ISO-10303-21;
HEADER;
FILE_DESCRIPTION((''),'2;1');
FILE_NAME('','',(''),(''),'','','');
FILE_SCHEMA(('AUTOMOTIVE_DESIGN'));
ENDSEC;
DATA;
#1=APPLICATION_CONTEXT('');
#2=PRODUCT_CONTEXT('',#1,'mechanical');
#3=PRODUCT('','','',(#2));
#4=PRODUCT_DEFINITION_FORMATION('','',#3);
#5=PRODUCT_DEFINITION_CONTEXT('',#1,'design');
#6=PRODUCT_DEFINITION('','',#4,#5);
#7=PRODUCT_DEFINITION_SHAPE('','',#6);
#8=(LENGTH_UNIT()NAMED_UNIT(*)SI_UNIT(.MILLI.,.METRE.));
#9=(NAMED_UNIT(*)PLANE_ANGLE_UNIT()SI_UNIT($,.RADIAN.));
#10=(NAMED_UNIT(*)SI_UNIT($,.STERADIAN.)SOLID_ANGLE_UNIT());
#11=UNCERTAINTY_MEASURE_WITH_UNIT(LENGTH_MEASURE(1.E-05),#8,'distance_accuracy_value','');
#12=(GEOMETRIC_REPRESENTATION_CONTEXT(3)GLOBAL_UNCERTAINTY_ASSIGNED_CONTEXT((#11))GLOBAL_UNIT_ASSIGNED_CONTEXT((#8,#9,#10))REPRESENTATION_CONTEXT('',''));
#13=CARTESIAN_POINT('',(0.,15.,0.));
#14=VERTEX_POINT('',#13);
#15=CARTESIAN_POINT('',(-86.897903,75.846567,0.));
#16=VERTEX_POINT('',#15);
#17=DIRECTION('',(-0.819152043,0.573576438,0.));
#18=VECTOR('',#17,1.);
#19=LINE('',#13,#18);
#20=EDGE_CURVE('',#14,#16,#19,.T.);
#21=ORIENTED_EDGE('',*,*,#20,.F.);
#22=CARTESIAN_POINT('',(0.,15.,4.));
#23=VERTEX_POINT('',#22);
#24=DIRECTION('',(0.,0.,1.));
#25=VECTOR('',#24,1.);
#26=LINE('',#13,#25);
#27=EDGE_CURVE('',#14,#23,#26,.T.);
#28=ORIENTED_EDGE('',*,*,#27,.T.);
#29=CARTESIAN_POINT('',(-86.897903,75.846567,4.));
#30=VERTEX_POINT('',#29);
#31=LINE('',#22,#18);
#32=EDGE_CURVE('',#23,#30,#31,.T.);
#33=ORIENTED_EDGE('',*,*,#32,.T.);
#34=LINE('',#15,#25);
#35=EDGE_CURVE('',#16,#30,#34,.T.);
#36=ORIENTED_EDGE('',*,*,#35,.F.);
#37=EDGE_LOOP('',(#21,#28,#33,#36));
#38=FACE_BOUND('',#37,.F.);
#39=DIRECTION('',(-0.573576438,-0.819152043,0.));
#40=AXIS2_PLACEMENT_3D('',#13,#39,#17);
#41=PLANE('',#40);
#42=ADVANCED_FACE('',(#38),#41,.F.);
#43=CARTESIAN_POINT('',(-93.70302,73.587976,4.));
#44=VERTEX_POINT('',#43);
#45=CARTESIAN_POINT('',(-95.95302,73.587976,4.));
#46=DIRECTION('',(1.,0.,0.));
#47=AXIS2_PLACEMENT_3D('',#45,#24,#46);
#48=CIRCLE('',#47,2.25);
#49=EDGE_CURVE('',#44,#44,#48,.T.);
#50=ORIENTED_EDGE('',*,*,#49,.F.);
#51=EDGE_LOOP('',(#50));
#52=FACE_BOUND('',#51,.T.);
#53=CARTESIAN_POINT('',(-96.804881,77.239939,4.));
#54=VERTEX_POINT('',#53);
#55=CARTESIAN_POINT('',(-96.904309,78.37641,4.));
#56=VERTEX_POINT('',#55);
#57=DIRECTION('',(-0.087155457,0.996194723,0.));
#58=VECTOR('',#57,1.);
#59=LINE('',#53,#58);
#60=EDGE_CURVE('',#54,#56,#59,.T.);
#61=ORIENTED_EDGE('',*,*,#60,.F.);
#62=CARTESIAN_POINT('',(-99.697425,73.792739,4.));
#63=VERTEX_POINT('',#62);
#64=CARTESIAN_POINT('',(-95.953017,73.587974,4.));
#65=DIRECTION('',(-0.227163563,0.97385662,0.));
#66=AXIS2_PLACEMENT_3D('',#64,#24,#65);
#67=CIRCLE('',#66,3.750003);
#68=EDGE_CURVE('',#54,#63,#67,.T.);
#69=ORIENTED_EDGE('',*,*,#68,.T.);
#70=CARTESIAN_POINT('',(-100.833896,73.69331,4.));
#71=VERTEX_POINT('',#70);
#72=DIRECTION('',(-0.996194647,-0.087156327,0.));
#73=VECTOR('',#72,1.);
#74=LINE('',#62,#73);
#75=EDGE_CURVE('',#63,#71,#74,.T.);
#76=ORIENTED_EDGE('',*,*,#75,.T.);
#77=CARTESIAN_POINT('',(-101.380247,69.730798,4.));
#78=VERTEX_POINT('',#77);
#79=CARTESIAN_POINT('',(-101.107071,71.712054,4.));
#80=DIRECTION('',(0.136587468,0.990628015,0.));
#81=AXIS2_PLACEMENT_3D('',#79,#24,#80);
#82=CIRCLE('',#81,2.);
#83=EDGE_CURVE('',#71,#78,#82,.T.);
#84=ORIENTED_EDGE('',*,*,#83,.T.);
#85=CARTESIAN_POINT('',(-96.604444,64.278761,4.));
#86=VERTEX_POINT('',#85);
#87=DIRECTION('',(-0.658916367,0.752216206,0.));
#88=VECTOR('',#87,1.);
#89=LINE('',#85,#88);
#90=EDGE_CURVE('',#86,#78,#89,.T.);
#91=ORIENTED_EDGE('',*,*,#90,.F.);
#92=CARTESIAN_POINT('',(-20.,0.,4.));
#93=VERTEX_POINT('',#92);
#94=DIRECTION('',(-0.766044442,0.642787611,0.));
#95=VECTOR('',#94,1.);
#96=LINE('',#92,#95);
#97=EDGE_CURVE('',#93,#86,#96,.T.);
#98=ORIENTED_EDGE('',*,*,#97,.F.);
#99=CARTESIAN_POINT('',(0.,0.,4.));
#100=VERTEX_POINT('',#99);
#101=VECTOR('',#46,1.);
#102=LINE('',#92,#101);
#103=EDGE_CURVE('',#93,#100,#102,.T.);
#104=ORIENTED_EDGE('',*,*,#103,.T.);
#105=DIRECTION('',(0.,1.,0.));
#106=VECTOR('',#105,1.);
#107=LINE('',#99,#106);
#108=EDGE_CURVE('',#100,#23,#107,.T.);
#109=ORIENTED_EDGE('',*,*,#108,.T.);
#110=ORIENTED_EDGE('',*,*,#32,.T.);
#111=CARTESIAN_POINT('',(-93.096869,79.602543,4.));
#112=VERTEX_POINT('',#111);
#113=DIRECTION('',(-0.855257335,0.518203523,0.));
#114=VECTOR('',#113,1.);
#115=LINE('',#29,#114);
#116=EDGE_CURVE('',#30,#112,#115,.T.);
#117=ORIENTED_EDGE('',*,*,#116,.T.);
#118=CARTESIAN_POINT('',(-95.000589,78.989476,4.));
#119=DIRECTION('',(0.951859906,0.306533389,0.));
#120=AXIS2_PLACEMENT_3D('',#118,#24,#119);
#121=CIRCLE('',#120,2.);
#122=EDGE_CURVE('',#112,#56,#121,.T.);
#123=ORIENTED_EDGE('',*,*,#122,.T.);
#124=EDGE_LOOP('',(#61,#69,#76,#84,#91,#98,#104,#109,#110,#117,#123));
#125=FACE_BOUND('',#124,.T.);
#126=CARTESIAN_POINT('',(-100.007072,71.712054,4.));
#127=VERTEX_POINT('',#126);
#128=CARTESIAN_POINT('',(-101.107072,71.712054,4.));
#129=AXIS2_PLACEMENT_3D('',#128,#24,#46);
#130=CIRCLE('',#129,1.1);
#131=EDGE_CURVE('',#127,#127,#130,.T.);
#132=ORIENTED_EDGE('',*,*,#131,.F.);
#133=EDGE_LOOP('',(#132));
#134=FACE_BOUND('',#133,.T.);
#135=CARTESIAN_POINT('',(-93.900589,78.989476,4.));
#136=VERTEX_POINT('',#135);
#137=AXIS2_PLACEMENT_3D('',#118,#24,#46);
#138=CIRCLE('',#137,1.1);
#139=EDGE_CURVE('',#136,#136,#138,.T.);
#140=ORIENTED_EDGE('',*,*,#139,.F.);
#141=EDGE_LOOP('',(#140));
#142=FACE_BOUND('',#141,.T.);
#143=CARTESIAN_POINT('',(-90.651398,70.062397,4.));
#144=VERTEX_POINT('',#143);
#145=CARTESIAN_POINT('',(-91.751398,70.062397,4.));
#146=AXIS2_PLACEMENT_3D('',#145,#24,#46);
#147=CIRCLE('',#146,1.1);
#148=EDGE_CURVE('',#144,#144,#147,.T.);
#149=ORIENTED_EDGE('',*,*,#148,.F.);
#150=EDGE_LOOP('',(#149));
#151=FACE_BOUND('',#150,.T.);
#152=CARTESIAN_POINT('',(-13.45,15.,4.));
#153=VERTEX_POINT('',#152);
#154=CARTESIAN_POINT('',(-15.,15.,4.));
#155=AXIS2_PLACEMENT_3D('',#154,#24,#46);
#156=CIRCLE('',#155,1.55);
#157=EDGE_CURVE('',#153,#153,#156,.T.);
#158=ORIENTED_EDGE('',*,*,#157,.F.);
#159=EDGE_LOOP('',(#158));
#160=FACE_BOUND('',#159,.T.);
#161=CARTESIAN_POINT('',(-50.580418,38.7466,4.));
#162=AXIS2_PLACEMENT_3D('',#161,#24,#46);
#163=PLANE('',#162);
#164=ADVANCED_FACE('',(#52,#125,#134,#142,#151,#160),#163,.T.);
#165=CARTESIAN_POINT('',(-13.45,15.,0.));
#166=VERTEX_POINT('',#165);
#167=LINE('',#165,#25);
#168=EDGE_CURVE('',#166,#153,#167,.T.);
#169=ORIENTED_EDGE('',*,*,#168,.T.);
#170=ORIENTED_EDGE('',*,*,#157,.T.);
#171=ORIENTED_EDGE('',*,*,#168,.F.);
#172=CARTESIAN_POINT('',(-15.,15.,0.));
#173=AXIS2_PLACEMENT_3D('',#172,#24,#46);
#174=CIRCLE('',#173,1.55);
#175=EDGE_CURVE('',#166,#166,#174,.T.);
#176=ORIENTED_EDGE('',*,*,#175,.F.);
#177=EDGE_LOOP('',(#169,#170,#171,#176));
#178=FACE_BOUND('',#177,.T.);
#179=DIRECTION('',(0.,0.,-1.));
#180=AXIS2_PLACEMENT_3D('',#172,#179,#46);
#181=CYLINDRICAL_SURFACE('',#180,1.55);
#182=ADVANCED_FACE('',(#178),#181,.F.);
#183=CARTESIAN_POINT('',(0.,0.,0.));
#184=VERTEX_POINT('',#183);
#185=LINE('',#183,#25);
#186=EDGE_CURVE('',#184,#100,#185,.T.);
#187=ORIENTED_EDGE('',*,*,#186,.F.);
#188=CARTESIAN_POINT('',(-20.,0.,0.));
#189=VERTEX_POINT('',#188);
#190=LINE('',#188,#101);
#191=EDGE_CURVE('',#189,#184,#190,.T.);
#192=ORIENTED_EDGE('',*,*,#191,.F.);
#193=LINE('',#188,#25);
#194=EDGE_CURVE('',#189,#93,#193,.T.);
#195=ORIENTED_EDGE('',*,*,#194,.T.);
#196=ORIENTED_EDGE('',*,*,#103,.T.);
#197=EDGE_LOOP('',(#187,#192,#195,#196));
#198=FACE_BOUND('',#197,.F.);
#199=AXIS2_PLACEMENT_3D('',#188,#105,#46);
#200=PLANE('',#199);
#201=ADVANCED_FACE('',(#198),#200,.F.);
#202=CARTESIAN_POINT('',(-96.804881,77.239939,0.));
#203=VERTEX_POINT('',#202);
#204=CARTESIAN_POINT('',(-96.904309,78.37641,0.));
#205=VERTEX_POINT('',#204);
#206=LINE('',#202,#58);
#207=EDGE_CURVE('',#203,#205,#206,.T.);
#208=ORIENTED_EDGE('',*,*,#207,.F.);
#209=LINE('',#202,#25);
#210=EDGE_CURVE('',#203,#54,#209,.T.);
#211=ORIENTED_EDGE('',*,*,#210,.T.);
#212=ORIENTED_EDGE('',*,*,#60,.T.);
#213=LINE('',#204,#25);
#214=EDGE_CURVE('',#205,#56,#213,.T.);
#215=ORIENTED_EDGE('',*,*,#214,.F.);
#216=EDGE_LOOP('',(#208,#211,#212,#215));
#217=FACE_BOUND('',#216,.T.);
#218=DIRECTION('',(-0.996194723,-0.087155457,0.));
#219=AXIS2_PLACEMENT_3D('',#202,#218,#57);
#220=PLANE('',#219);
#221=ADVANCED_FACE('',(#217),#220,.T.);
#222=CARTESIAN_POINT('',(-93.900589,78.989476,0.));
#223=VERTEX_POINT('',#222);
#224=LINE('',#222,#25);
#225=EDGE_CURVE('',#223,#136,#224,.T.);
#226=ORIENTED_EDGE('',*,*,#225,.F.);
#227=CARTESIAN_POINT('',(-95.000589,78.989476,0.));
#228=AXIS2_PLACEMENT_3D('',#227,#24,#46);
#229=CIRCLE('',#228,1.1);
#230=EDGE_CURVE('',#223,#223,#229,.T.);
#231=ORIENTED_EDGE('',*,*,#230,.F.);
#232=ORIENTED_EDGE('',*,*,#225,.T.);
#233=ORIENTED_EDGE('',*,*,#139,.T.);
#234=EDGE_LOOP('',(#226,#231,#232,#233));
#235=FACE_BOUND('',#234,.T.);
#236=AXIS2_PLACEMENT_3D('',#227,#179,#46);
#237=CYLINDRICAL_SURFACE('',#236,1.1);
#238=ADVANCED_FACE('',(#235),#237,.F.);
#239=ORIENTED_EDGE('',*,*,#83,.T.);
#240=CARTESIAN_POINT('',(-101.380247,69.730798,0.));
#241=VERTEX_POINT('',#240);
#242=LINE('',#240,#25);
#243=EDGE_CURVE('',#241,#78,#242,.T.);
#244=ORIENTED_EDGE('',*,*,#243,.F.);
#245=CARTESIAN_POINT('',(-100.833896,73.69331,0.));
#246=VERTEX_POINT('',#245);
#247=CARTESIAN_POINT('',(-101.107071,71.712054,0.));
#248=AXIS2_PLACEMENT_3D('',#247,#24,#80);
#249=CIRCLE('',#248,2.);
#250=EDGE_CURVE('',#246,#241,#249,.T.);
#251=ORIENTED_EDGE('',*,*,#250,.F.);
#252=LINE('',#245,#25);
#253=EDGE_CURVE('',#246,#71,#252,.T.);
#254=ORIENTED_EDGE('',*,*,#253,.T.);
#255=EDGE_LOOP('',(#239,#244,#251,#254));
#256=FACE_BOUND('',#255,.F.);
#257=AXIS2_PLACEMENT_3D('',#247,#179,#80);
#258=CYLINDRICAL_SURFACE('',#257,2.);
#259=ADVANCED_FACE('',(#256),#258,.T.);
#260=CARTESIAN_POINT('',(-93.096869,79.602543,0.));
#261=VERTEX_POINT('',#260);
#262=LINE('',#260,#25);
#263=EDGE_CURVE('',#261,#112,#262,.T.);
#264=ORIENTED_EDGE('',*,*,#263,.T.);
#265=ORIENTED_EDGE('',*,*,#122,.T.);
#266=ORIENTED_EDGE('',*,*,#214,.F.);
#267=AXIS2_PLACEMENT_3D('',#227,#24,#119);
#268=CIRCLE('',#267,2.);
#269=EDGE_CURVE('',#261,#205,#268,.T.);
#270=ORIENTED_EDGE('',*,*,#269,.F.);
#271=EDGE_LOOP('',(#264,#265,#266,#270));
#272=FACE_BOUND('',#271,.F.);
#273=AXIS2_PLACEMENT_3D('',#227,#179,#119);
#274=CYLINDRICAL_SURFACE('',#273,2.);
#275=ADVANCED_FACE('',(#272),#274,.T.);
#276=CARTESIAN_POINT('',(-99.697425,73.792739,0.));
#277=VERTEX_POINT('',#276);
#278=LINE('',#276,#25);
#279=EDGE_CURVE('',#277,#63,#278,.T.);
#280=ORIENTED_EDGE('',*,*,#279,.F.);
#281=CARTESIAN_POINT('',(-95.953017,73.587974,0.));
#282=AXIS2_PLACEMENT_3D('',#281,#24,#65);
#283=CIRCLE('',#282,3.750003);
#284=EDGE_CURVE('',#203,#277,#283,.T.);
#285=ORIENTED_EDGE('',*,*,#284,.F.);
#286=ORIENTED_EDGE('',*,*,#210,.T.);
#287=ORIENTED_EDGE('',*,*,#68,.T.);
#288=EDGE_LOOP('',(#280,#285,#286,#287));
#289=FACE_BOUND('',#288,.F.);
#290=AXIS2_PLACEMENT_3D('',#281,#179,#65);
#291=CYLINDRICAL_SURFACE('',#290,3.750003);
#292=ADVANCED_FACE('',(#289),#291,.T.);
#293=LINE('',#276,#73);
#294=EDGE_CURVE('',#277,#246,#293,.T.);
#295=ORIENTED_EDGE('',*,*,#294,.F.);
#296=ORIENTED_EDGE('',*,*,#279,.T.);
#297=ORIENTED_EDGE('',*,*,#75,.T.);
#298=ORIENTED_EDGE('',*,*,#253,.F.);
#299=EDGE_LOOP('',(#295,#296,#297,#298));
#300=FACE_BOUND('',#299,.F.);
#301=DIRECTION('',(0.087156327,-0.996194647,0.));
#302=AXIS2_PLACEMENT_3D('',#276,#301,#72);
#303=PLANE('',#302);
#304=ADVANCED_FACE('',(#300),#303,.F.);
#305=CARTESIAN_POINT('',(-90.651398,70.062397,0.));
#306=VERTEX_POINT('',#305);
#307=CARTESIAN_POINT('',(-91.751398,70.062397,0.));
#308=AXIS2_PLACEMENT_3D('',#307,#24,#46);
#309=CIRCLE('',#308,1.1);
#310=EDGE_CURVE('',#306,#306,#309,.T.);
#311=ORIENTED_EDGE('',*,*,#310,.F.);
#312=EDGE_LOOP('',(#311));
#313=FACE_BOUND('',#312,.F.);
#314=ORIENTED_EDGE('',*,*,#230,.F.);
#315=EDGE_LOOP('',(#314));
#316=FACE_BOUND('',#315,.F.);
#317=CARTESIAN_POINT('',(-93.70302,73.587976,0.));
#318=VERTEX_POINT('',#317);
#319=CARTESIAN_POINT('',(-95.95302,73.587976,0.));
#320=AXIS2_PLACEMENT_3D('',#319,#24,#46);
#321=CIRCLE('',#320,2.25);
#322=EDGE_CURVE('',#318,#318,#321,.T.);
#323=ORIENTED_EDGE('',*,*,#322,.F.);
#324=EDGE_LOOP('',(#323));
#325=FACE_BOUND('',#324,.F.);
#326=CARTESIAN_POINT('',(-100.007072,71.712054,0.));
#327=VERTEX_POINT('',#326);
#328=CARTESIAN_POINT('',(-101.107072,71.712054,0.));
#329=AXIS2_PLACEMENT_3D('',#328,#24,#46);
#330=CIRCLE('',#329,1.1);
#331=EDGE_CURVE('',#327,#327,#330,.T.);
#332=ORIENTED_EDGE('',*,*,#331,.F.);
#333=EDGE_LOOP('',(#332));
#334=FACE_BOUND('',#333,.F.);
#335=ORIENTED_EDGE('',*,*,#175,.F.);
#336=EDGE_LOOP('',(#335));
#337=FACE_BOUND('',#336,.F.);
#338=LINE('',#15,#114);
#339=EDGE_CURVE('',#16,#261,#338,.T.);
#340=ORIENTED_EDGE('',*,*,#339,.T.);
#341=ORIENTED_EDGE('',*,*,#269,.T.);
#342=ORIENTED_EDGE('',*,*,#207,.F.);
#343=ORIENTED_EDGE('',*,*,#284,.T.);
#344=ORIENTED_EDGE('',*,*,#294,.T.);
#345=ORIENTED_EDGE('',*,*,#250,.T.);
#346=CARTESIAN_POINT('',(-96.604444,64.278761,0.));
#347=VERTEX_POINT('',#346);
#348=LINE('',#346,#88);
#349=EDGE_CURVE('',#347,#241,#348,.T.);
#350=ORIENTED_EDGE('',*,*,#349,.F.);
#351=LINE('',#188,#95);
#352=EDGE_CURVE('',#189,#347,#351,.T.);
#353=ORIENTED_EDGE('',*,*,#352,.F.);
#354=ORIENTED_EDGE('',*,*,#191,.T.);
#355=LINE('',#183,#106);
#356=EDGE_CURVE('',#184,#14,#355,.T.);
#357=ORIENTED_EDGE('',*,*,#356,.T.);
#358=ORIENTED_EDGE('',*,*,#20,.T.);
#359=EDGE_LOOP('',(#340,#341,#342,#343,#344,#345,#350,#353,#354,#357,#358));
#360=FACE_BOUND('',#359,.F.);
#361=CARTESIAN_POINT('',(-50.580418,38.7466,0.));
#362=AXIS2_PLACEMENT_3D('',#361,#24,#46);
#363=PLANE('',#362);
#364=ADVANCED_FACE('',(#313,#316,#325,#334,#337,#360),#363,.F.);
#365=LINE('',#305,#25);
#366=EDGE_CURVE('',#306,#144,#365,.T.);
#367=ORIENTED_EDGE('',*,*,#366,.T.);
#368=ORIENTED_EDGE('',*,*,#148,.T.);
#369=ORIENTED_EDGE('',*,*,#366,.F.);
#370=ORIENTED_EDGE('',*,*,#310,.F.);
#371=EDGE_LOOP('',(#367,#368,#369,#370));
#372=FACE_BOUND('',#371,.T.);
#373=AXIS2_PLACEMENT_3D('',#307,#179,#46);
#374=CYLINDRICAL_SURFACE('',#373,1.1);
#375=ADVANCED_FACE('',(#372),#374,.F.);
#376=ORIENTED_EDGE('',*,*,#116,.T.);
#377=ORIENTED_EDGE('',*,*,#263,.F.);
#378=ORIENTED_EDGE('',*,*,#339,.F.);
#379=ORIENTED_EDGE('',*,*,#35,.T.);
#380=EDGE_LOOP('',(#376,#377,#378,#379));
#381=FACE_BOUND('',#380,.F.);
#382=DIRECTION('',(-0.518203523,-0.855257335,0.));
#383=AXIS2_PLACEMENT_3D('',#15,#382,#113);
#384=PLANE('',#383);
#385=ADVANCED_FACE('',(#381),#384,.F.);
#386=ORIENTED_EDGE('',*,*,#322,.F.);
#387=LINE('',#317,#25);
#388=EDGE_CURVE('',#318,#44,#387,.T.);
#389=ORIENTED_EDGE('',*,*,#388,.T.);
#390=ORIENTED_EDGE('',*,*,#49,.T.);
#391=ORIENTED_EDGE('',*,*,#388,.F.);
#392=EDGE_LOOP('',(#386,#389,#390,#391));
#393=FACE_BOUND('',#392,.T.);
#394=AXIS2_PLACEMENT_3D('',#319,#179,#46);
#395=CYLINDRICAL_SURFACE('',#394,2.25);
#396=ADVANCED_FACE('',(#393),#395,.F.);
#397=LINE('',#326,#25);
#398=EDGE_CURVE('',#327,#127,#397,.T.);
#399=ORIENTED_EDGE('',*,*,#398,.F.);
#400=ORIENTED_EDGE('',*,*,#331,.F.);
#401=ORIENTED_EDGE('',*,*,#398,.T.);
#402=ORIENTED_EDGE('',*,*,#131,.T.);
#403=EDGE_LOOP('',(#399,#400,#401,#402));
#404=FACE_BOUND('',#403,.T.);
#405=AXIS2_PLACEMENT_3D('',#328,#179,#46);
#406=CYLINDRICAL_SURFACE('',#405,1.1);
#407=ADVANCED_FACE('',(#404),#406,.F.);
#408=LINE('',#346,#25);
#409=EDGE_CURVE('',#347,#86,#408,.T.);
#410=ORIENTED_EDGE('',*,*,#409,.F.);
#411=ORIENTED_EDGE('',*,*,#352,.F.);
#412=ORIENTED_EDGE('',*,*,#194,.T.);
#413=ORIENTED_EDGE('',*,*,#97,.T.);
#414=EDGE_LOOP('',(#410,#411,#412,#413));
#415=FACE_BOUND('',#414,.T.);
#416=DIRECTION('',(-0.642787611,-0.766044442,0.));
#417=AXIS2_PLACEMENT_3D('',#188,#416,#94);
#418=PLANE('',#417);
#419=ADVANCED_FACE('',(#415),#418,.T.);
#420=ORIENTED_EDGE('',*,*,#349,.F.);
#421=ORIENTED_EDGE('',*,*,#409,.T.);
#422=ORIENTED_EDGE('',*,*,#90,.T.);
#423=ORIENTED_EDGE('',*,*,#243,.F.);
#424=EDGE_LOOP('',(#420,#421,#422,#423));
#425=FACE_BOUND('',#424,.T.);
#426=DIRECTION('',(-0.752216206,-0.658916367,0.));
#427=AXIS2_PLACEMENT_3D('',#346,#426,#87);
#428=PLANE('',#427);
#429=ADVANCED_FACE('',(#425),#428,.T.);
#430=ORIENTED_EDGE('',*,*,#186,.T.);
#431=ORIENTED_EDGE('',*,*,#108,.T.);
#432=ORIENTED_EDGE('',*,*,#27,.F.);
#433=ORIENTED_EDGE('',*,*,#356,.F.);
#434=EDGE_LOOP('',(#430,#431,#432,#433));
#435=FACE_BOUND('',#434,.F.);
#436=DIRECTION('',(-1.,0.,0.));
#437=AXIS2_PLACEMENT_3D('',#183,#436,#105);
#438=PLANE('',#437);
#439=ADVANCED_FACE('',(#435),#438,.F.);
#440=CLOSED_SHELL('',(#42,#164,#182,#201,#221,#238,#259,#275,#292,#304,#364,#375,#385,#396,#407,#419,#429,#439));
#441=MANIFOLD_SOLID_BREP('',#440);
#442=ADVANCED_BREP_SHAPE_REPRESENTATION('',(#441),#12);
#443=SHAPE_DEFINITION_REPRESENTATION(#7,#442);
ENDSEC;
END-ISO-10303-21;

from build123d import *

# Parameters (mm, degrees)
SKETCH_R   = 1.1
SKETCH_R_2 = 2.25
SKETCH_R_3 = 1.55
PAD_DEPTH  = 4


with BuildPart() as part:
    # Sketch → Pad (new body)
    with BuildSketch(Plane.XY):
        with BuildLine():
            Line((-20, 0), (0, 0))
            Line((0, 0), (0, 15))
            Line((0, 15), (-86.897903, 75.846567))
            Line((-86.897903, 75.846567), (-93.096869, 79.602543))
            ThreePointArc((-93.096869, 79.602543), (-95.613656, 80.893196), (-96.904309, 78.37641))
            Line((-96.804881, 77.239939), (-96.904309, 78.37641))
            ThreePointArc((-96.804881, 77.239939), (-98.825686, 75.998429), (-99.697425, 73.792739))
            Line((-99.697425, 73.792739), (-100.833896, 73.69331))
            ThreePointArc((-100.833896, 73.69331), (-103.088327, 71.985229), (-101.380247, 69.730798))
            Line((-96.604444, 64.278761), (-101.380247, 69.730798))
            Line((-20, 0), (-96.604444, 64.278761))
        make_face()
        with Locations((-91.751398, 70.062397)):
            Circle(SKETCH_R, mode=Mode.SUBTRACT)
        with Locations((-95.000589, 78.989476)):
            Circle(SKETCH_R, mode=Mode.SUBTRACT)
        with Locations((-101.107072, 71.712054)):
            Circle(SKETCH_R, mode=Mode.SUBTRACT)
        with Locations((-95.95302, 73.587976)):
            Circle(SKETCH_R_2, mode=Mode.SUBTRACT)
        with Locations((-15, 15)):
            Circle(SKETCH_R_3, mode=Mode.SUBTRACT)
    extrude(amount=PAD_DEPTH)


solid = part.part
